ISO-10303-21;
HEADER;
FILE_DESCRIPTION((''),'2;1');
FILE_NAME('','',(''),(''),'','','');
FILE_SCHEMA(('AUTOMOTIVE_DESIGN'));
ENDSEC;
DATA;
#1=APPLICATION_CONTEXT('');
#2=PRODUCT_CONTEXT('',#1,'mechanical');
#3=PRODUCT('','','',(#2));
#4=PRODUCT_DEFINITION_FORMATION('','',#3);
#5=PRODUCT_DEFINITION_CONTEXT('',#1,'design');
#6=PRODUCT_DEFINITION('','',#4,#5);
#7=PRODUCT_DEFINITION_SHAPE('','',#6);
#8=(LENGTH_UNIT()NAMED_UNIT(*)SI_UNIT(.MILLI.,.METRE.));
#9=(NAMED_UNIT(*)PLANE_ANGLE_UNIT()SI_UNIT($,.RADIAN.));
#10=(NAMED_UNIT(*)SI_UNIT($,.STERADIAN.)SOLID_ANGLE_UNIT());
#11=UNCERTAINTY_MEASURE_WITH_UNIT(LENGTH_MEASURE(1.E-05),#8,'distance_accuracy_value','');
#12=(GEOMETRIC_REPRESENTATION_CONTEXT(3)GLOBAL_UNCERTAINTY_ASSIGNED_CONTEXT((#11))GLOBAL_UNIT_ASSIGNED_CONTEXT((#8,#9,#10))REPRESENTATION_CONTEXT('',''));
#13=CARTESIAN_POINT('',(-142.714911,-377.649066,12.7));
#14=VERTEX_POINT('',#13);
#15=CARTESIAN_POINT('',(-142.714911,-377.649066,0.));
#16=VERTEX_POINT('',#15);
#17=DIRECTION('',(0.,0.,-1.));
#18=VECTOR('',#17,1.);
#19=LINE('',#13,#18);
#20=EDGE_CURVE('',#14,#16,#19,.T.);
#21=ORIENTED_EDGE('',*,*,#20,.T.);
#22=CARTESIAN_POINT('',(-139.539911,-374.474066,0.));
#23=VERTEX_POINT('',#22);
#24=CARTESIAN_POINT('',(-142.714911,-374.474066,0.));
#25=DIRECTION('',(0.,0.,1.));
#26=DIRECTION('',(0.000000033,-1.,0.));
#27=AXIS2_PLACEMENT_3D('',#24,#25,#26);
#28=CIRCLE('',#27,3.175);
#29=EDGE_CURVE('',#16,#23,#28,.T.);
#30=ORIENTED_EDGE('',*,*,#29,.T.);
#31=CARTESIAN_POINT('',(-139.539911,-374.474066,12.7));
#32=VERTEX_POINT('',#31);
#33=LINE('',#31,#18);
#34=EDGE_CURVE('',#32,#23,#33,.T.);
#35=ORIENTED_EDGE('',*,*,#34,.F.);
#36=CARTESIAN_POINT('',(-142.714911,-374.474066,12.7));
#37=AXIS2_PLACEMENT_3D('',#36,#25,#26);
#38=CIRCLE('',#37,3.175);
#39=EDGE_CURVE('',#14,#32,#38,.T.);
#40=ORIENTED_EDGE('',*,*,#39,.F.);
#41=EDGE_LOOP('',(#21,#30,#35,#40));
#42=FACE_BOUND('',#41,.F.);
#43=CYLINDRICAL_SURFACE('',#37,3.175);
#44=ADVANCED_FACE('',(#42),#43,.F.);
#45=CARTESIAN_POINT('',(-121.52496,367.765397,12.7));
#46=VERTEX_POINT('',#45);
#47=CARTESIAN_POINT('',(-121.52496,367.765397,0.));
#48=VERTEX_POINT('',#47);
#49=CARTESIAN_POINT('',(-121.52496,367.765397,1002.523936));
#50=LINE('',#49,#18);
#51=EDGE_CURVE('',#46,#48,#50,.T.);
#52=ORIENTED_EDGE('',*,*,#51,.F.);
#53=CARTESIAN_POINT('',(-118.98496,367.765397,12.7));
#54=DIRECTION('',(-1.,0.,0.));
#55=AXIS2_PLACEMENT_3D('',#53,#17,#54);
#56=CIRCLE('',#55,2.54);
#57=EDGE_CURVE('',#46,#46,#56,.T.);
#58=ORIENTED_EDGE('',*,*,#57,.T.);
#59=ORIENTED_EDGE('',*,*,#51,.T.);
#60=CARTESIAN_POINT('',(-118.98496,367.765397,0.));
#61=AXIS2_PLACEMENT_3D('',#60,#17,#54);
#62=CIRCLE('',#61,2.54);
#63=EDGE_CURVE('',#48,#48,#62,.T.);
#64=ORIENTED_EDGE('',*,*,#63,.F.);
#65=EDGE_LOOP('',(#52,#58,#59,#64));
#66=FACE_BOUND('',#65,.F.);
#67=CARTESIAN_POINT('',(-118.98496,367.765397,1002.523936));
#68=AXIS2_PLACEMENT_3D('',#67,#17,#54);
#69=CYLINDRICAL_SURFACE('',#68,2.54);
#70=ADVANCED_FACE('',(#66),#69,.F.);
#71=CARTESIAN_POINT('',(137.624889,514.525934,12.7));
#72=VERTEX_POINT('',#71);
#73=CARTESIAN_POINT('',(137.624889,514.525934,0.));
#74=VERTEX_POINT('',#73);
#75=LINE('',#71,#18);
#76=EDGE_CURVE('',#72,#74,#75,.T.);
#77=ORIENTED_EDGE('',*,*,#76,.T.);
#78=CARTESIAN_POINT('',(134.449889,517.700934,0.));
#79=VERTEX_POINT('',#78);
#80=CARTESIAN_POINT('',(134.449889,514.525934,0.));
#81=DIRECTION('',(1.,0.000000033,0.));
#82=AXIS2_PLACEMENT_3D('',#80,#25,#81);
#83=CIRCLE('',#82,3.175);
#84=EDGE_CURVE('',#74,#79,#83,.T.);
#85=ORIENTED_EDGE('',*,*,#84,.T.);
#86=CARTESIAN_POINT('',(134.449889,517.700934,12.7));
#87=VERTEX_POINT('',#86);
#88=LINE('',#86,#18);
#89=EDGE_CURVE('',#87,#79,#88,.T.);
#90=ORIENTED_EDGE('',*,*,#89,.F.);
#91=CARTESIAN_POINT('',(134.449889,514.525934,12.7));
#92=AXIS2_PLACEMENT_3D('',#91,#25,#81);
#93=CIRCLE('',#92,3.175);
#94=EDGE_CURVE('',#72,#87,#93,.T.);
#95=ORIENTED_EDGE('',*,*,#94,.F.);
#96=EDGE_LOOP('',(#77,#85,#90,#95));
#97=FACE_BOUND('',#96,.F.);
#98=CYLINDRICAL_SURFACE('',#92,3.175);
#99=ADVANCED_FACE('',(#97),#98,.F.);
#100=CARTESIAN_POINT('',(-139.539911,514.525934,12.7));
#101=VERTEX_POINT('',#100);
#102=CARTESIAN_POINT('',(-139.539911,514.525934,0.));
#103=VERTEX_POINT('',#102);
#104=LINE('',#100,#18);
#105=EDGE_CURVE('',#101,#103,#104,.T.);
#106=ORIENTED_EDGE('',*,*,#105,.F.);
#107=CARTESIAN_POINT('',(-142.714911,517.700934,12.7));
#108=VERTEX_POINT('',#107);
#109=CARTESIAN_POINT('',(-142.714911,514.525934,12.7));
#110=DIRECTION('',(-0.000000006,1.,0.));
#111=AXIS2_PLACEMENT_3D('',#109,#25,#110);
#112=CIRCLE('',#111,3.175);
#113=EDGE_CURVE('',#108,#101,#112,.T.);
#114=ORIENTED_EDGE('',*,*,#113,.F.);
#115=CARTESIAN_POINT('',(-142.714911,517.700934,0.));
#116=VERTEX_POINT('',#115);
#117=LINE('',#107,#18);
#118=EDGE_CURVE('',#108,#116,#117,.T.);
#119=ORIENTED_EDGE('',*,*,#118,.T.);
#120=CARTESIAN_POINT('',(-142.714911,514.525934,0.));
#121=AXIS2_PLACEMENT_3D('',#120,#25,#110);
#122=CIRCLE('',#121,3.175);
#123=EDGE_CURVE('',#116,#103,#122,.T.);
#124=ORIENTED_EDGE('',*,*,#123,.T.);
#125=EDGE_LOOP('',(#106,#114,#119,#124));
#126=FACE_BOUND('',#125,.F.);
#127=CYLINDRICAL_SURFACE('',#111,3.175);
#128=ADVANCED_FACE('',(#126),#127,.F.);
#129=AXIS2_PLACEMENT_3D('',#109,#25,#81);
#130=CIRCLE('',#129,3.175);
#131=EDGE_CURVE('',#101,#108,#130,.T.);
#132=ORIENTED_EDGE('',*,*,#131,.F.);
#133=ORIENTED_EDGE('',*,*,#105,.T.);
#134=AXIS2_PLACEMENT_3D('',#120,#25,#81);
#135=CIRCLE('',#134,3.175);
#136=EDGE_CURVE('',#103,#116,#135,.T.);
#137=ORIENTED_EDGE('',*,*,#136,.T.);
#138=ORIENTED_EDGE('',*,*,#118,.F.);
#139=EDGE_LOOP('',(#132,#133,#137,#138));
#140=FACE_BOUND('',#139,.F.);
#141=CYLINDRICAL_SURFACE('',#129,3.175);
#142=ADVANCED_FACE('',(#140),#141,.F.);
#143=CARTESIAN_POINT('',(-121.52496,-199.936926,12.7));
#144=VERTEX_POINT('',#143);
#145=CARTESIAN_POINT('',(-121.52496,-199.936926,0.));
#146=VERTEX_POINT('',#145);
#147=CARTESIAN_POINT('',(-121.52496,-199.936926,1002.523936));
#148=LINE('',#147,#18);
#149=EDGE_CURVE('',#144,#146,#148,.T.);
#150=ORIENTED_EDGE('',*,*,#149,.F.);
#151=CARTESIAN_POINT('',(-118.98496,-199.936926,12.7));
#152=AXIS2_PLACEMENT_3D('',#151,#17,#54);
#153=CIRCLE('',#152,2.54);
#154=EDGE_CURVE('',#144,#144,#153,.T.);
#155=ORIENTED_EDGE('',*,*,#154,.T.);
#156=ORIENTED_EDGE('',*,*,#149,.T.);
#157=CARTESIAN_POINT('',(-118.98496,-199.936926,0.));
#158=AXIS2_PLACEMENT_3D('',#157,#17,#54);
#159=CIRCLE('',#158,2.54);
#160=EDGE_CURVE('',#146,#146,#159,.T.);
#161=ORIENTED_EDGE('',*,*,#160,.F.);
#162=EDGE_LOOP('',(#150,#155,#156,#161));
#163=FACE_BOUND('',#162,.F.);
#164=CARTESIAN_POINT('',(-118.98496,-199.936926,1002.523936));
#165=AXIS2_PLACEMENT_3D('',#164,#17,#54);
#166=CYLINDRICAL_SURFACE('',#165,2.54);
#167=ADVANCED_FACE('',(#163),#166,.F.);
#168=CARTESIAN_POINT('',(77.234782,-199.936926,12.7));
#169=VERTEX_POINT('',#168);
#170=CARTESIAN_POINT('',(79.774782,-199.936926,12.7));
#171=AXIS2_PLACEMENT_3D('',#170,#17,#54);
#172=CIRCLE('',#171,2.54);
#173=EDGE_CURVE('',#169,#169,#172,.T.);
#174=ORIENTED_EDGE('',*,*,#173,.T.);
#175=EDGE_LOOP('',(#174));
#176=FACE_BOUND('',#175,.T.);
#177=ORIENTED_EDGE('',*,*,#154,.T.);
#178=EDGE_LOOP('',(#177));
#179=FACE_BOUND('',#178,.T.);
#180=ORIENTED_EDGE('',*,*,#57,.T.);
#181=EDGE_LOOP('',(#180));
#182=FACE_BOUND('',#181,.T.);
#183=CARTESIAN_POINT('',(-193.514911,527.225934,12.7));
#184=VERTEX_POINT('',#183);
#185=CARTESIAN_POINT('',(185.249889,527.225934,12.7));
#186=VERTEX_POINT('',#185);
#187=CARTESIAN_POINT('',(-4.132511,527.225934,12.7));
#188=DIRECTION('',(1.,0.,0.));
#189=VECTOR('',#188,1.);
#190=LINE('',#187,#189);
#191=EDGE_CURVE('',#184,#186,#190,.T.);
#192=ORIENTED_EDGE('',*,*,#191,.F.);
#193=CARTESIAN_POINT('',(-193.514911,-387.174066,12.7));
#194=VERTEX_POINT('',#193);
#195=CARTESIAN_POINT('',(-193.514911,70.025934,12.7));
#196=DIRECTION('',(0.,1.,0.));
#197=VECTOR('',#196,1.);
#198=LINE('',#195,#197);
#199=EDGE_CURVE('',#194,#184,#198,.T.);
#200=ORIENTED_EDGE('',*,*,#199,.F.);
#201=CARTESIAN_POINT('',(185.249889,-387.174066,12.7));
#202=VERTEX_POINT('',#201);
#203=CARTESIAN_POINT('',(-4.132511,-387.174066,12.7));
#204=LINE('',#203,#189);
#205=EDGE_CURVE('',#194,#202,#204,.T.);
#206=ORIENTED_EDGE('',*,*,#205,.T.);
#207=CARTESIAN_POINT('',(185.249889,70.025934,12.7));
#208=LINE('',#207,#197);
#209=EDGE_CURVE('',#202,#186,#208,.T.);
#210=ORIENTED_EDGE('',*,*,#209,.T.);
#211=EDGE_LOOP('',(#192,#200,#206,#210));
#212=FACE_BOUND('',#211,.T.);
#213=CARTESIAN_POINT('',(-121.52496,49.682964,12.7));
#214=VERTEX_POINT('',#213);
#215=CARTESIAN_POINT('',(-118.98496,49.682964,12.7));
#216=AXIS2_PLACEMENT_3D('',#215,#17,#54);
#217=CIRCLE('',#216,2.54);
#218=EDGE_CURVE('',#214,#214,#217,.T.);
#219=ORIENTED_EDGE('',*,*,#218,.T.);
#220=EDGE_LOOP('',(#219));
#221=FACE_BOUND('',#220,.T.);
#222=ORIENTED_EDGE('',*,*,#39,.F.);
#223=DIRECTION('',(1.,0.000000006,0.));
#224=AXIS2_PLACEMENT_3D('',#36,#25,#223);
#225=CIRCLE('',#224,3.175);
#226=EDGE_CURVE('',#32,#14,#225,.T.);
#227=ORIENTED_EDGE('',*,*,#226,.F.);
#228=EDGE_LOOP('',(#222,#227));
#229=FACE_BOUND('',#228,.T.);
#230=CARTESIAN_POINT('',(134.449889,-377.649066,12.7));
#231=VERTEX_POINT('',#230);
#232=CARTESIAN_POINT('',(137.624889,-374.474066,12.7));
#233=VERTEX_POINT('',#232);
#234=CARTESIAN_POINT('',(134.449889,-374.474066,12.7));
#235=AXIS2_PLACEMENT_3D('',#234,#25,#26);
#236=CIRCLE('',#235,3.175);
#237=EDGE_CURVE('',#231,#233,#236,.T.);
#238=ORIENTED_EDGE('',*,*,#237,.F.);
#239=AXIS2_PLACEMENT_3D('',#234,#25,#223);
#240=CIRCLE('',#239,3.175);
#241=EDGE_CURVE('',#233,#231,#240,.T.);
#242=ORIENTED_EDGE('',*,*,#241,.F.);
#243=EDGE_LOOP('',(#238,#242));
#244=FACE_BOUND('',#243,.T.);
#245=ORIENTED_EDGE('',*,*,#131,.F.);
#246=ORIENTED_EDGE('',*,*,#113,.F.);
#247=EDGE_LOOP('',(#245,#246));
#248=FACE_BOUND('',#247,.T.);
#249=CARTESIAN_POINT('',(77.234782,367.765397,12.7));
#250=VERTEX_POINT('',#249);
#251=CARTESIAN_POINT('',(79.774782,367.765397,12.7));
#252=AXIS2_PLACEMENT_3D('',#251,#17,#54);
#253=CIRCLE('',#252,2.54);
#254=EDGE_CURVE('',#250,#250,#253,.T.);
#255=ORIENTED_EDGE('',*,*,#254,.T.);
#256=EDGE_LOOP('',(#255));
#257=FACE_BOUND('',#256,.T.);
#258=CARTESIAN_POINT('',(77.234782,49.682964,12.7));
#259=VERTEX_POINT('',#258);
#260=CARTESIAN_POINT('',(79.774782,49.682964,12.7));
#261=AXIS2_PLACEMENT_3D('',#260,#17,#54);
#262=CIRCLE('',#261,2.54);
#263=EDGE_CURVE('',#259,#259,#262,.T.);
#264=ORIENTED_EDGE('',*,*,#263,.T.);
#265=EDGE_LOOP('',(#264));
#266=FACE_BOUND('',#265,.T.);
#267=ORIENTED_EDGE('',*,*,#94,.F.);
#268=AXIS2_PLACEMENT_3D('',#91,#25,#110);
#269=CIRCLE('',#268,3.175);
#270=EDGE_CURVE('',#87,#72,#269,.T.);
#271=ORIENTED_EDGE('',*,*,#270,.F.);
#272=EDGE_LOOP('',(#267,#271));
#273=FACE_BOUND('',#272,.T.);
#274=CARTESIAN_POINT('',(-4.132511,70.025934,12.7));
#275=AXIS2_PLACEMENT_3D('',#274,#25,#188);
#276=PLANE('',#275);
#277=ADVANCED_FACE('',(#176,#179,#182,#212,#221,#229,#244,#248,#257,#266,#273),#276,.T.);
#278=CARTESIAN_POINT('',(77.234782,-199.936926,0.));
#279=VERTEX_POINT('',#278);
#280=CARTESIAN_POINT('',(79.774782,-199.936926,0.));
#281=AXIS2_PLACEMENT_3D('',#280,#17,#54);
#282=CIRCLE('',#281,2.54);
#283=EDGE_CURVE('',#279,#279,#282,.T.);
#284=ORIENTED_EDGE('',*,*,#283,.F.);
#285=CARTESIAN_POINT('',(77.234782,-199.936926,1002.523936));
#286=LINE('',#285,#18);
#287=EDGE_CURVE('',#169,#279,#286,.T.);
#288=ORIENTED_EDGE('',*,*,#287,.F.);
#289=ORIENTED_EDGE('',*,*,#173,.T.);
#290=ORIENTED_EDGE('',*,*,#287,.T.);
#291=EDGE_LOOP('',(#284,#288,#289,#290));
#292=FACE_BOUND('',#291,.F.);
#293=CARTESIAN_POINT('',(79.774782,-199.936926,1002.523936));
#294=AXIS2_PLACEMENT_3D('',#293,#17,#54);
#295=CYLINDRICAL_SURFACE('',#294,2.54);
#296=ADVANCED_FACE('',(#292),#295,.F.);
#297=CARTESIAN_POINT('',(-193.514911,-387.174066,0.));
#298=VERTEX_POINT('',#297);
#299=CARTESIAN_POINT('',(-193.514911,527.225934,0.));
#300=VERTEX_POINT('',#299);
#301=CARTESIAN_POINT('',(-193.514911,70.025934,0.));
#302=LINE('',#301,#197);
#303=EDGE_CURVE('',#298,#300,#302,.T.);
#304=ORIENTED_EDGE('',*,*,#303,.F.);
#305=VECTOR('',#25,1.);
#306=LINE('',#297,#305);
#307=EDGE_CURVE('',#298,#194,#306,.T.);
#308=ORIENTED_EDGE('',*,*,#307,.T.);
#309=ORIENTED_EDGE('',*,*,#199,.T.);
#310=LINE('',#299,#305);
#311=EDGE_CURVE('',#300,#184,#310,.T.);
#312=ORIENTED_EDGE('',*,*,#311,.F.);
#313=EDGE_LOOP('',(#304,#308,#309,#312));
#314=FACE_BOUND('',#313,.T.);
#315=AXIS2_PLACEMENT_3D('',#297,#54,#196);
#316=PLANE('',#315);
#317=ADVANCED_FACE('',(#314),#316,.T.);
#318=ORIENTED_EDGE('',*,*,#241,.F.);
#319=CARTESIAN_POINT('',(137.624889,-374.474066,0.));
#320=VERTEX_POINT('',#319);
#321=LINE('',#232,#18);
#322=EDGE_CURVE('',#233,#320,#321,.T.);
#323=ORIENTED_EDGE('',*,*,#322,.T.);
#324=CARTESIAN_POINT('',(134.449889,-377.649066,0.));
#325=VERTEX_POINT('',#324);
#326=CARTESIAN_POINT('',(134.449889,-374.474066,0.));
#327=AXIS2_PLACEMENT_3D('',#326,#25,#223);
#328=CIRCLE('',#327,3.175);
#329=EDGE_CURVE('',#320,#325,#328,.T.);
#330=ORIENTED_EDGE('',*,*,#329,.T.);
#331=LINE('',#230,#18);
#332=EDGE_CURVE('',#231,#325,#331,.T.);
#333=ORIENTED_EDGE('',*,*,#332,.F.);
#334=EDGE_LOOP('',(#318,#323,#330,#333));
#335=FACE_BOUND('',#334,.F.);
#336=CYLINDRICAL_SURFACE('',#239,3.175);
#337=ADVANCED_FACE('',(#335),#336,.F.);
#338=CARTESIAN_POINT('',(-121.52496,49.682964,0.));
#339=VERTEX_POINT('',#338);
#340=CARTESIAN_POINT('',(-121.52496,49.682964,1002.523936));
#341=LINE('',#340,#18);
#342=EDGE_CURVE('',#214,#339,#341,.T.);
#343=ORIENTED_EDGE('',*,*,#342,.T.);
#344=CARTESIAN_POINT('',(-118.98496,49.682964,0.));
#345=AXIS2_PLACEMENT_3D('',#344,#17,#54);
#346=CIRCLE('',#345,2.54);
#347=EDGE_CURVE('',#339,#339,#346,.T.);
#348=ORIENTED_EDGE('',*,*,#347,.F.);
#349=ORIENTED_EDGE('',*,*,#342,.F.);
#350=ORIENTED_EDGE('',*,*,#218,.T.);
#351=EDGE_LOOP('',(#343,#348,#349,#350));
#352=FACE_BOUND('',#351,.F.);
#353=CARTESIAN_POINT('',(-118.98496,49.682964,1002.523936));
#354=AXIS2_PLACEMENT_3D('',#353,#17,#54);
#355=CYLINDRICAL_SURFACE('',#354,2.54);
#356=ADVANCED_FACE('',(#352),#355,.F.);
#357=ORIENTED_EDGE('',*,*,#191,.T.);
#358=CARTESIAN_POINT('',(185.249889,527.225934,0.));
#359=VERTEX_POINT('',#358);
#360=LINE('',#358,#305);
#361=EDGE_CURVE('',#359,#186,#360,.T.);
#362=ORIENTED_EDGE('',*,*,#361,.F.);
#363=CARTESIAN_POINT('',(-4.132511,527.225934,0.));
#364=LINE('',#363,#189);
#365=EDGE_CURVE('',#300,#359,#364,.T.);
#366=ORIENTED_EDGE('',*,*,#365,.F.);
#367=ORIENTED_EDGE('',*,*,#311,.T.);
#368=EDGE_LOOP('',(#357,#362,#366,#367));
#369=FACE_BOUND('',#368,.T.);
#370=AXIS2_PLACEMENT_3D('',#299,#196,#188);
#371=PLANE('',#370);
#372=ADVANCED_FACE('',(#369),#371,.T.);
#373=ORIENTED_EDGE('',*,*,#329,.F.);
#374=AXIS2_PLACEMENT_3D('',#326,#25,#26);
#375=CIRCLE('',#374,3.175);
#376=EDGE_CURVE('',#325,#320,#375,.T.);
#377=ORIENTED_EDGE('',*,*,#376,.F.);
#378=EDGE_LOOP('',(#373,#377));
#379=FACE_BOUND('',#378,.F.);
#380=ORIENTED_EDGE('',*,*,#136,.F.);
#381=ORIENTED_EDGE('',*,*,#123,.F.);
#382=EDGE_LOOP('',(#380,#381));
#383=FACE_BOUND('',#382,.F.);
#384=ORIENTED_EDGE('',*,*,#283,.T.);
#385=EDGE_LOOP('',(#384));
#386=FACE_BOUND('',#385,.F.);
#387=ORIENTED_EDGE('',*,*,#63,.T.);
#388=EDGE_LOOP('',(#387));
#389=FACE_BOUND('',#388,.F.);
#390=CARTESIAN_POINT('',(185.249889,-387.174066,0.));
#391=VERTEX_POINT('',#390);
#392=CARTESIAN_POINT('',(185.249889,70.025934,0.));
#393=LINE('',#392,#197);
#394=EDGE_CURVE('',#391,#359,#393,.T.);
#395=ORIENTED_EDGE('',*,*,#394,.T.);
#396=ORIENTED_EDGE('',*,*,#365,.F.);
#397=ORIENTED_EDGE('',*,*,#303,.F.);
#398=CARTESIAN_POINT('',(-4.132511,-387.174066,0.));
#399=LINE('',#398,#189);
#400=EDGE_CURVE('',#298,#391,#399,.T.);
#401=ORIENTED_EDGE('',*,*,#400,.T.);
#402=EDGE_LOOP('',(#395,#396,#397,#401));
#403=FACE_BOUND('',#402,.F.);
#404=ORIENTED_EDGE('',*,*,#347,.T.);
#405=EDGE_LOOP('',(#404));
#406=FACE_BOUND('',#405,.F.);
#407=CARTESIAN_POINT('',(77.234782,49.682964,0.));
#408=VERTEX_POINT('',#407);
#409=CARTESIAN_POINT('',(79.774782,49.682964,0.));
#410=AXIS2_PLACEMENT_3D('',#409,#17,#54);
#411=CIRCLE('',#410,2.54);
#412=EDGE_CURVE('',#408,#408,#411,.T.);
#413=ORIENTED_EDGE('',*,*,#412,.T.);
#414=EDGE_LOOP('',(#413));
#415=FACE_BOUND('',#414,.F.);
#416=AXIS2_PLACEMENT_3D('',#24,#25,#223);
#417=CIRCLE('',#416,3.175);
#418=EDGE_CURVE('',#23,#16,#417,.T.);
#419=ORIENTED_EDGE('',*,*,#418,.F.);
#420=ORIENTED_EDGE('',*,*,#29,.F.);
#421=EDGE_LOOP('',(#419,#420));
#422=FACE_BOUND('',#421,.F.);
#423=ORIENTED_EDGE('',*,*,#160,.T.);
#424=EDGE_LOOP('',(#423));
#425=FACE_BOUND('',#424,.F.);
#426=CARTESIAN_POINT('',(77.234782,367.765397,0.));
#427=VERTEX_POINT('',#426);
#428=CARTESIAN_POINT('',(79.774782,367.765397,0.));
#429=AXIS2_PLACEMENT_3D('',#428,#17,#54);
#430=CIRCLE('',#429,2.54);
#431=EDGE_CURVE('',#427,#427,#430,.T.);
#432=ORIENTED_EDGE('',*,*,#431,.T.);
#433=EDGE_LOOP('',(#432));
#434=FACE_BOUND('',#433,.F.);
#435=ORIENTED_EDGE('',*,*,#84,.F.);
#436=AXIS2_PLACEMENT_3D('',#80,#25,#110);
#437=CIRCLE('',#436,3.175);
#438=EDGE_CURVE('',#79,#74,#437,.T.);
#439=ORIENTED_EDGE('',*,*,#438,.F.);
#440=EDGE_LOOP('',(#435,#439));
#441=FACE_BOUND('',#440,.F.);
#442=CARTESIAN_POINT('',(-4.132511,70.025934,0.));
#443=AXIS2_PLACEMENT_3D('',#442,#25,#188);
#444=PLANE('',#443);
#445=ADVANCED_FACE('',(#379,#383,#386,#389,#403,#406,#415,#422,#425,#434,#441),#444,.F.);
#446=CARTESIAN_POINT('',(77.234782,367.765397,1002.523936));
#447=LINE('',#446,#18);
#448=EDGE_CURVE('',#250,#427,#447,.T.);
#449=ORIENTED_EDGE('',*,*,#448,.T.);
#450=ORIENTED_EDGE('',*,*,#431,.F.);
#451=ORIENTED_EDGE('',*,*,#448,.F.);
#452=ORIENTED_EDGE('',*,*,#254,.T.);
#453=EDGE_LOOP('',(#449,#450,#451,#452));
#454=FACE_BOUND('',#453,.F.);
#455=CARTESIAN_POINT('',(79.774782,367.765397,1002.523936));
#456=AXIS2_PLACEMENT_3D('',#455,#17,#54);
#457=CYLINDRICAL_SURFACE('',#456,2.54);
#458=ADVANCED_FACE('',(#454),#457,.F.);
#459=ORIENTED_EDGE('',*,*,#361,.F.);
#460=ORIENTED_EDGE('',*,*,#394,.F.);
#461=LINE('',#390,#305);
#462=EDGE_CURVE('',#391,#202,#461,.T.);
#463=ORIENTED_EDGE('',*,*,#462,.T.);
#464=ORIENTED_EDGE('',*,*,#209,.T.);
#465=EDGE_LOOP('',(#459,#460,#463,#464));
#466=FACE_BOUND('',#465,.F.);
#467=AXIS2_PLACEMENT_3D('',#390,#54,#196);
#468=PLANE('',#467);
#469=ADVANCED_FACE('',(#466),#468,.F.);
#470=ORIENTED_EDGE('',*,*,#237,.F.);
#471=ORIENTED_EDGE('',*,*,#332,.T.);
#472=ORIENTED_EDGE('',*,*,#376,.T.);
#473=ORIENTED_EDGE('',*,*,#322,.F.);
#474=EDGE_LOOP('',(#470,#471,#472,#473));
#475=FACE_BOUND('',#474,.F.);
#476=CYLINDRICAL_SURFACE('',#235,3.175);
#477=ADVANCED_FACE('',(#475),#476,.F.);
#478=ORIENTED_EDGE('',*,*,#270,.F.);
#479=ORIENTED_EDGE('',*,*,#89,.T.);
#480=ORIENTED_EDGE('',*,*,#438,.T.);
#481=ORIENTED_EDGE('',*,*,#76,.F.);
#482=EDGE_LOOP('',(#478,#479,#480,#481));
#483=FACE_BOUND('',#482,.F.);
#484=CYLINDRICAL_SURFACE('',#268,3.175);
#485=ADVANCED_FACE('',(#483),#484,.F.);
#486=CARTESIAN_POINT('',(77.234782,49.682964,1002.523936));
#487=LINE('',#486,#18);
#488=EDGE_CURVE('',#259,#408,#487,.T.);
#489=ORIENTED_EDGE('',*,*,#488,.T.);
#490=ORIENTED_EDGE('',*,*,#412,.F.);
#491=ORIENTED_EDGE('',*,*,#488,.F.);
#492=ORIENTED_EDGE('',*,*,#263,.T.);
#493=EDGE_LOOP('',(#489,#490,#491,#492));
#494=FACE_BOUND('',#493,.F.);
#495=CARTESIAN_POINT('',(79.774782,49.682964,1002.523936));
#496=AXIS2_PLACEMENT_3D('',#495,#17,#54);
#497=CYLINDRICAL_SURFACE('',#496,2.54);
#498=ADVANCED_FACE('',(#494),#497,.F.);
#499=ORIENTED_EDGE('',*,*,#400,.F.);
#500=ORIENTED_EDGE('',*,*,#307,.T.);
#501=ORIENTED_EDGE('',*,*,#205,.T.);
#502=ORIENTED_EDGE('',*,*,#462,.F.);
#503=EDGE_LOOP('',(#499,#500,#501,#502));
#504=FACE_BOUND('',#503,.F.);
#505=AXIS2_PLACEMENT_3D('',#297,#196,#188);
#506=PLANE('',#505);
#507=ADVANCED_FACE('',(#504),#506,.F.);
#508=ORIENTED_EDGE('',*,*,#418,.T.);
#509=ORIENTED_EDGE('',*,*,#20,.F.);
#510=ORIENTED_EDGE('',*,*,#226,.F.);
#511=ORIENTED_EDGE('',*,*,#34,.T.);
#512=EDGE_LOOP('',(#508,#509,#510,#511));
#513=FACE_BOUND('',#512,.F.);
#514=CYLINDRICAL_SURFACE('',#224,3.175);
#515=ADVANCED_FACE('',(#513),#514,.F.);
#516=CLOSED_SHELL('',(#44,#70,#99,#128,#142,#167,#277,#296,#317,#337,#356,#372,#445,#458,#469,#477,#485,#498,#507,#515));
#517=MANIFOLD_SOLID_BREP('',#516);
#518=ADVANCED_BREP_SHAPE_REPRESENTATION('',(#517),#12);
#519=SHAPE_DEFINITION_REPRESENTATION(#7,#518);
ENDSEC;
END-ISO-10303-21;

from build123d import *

# Parameters (mm, degrees)
F0_W     = 378.7648
F0_H     = 914.4
F1_DEPTH = 12.7
F3_DEPTH = 12.701
F5_D     = 5.08


with BuildPart() as f1:
    # F0 (on Top) → F1 (new body)
    with BuildSketch(Plane.XY):
        with Locations((-4.132511, 70.025934)):
            Rectangle(F0_W, F0_H)
    extrude(amount=F1_DEPTH)

    # F2 (on face) → F3 (cut, through all)
    with BuildSketch(Plane.XY.offset(12.7)):
        with BuildLine():
            ThreePointArc((-142.714911, 517.700934), (-144.959975, 512.28087), (-139.539911, 514.525934))
            ThreePointArc((-139.539911, 514.525934), (-140.469847, 516.770998), (-142.714911, 517.700934))
        make_face()
        with BuildLine():
            ThreePointArc((134.449889, 517.700934), (132.204825, 512.28087), (137.624889, 514.525934))
            ThreePointArc((137.624889, 514.525934), (136.694953, 516.770998), (134.449889, 517.700934))
        make_face()
        with BuildLine():
            ThreePointArc((-142.714911, -377.649066), (-140.469847, -376.71913), (-139.539911, -374.474066))
            ThreePointArc((-139.539911, -374.474066), (-144.959975, -372.229002), (-142.714911, -377.649066))
        make_face()
        with BuildLine():
            ThreePointArc((134.449889, -377.649066), (136.694953, -376.71913), (137.624889, -374.474066))
            ThreePointArc((137.624889, -374.474066), (132.204825, -372.229002), (134.449889, -377.649066))
        make_face()
    extrude(amount=-F3_DEPTH, mode=Mode.SUBTRACT)

    # F5 (through all)
    with Locations(Plane.XY.offset(12.7)):
        with Locations((-118.98496, 49.682964), (79.774782, 49.682964), (-118.98496, 367.765397), (79.774782, 367.765397), (-118.98496, -199.936926), (79.774782, -199.936926)):
            Hole(F5_D / 2)


solid = f1.part
